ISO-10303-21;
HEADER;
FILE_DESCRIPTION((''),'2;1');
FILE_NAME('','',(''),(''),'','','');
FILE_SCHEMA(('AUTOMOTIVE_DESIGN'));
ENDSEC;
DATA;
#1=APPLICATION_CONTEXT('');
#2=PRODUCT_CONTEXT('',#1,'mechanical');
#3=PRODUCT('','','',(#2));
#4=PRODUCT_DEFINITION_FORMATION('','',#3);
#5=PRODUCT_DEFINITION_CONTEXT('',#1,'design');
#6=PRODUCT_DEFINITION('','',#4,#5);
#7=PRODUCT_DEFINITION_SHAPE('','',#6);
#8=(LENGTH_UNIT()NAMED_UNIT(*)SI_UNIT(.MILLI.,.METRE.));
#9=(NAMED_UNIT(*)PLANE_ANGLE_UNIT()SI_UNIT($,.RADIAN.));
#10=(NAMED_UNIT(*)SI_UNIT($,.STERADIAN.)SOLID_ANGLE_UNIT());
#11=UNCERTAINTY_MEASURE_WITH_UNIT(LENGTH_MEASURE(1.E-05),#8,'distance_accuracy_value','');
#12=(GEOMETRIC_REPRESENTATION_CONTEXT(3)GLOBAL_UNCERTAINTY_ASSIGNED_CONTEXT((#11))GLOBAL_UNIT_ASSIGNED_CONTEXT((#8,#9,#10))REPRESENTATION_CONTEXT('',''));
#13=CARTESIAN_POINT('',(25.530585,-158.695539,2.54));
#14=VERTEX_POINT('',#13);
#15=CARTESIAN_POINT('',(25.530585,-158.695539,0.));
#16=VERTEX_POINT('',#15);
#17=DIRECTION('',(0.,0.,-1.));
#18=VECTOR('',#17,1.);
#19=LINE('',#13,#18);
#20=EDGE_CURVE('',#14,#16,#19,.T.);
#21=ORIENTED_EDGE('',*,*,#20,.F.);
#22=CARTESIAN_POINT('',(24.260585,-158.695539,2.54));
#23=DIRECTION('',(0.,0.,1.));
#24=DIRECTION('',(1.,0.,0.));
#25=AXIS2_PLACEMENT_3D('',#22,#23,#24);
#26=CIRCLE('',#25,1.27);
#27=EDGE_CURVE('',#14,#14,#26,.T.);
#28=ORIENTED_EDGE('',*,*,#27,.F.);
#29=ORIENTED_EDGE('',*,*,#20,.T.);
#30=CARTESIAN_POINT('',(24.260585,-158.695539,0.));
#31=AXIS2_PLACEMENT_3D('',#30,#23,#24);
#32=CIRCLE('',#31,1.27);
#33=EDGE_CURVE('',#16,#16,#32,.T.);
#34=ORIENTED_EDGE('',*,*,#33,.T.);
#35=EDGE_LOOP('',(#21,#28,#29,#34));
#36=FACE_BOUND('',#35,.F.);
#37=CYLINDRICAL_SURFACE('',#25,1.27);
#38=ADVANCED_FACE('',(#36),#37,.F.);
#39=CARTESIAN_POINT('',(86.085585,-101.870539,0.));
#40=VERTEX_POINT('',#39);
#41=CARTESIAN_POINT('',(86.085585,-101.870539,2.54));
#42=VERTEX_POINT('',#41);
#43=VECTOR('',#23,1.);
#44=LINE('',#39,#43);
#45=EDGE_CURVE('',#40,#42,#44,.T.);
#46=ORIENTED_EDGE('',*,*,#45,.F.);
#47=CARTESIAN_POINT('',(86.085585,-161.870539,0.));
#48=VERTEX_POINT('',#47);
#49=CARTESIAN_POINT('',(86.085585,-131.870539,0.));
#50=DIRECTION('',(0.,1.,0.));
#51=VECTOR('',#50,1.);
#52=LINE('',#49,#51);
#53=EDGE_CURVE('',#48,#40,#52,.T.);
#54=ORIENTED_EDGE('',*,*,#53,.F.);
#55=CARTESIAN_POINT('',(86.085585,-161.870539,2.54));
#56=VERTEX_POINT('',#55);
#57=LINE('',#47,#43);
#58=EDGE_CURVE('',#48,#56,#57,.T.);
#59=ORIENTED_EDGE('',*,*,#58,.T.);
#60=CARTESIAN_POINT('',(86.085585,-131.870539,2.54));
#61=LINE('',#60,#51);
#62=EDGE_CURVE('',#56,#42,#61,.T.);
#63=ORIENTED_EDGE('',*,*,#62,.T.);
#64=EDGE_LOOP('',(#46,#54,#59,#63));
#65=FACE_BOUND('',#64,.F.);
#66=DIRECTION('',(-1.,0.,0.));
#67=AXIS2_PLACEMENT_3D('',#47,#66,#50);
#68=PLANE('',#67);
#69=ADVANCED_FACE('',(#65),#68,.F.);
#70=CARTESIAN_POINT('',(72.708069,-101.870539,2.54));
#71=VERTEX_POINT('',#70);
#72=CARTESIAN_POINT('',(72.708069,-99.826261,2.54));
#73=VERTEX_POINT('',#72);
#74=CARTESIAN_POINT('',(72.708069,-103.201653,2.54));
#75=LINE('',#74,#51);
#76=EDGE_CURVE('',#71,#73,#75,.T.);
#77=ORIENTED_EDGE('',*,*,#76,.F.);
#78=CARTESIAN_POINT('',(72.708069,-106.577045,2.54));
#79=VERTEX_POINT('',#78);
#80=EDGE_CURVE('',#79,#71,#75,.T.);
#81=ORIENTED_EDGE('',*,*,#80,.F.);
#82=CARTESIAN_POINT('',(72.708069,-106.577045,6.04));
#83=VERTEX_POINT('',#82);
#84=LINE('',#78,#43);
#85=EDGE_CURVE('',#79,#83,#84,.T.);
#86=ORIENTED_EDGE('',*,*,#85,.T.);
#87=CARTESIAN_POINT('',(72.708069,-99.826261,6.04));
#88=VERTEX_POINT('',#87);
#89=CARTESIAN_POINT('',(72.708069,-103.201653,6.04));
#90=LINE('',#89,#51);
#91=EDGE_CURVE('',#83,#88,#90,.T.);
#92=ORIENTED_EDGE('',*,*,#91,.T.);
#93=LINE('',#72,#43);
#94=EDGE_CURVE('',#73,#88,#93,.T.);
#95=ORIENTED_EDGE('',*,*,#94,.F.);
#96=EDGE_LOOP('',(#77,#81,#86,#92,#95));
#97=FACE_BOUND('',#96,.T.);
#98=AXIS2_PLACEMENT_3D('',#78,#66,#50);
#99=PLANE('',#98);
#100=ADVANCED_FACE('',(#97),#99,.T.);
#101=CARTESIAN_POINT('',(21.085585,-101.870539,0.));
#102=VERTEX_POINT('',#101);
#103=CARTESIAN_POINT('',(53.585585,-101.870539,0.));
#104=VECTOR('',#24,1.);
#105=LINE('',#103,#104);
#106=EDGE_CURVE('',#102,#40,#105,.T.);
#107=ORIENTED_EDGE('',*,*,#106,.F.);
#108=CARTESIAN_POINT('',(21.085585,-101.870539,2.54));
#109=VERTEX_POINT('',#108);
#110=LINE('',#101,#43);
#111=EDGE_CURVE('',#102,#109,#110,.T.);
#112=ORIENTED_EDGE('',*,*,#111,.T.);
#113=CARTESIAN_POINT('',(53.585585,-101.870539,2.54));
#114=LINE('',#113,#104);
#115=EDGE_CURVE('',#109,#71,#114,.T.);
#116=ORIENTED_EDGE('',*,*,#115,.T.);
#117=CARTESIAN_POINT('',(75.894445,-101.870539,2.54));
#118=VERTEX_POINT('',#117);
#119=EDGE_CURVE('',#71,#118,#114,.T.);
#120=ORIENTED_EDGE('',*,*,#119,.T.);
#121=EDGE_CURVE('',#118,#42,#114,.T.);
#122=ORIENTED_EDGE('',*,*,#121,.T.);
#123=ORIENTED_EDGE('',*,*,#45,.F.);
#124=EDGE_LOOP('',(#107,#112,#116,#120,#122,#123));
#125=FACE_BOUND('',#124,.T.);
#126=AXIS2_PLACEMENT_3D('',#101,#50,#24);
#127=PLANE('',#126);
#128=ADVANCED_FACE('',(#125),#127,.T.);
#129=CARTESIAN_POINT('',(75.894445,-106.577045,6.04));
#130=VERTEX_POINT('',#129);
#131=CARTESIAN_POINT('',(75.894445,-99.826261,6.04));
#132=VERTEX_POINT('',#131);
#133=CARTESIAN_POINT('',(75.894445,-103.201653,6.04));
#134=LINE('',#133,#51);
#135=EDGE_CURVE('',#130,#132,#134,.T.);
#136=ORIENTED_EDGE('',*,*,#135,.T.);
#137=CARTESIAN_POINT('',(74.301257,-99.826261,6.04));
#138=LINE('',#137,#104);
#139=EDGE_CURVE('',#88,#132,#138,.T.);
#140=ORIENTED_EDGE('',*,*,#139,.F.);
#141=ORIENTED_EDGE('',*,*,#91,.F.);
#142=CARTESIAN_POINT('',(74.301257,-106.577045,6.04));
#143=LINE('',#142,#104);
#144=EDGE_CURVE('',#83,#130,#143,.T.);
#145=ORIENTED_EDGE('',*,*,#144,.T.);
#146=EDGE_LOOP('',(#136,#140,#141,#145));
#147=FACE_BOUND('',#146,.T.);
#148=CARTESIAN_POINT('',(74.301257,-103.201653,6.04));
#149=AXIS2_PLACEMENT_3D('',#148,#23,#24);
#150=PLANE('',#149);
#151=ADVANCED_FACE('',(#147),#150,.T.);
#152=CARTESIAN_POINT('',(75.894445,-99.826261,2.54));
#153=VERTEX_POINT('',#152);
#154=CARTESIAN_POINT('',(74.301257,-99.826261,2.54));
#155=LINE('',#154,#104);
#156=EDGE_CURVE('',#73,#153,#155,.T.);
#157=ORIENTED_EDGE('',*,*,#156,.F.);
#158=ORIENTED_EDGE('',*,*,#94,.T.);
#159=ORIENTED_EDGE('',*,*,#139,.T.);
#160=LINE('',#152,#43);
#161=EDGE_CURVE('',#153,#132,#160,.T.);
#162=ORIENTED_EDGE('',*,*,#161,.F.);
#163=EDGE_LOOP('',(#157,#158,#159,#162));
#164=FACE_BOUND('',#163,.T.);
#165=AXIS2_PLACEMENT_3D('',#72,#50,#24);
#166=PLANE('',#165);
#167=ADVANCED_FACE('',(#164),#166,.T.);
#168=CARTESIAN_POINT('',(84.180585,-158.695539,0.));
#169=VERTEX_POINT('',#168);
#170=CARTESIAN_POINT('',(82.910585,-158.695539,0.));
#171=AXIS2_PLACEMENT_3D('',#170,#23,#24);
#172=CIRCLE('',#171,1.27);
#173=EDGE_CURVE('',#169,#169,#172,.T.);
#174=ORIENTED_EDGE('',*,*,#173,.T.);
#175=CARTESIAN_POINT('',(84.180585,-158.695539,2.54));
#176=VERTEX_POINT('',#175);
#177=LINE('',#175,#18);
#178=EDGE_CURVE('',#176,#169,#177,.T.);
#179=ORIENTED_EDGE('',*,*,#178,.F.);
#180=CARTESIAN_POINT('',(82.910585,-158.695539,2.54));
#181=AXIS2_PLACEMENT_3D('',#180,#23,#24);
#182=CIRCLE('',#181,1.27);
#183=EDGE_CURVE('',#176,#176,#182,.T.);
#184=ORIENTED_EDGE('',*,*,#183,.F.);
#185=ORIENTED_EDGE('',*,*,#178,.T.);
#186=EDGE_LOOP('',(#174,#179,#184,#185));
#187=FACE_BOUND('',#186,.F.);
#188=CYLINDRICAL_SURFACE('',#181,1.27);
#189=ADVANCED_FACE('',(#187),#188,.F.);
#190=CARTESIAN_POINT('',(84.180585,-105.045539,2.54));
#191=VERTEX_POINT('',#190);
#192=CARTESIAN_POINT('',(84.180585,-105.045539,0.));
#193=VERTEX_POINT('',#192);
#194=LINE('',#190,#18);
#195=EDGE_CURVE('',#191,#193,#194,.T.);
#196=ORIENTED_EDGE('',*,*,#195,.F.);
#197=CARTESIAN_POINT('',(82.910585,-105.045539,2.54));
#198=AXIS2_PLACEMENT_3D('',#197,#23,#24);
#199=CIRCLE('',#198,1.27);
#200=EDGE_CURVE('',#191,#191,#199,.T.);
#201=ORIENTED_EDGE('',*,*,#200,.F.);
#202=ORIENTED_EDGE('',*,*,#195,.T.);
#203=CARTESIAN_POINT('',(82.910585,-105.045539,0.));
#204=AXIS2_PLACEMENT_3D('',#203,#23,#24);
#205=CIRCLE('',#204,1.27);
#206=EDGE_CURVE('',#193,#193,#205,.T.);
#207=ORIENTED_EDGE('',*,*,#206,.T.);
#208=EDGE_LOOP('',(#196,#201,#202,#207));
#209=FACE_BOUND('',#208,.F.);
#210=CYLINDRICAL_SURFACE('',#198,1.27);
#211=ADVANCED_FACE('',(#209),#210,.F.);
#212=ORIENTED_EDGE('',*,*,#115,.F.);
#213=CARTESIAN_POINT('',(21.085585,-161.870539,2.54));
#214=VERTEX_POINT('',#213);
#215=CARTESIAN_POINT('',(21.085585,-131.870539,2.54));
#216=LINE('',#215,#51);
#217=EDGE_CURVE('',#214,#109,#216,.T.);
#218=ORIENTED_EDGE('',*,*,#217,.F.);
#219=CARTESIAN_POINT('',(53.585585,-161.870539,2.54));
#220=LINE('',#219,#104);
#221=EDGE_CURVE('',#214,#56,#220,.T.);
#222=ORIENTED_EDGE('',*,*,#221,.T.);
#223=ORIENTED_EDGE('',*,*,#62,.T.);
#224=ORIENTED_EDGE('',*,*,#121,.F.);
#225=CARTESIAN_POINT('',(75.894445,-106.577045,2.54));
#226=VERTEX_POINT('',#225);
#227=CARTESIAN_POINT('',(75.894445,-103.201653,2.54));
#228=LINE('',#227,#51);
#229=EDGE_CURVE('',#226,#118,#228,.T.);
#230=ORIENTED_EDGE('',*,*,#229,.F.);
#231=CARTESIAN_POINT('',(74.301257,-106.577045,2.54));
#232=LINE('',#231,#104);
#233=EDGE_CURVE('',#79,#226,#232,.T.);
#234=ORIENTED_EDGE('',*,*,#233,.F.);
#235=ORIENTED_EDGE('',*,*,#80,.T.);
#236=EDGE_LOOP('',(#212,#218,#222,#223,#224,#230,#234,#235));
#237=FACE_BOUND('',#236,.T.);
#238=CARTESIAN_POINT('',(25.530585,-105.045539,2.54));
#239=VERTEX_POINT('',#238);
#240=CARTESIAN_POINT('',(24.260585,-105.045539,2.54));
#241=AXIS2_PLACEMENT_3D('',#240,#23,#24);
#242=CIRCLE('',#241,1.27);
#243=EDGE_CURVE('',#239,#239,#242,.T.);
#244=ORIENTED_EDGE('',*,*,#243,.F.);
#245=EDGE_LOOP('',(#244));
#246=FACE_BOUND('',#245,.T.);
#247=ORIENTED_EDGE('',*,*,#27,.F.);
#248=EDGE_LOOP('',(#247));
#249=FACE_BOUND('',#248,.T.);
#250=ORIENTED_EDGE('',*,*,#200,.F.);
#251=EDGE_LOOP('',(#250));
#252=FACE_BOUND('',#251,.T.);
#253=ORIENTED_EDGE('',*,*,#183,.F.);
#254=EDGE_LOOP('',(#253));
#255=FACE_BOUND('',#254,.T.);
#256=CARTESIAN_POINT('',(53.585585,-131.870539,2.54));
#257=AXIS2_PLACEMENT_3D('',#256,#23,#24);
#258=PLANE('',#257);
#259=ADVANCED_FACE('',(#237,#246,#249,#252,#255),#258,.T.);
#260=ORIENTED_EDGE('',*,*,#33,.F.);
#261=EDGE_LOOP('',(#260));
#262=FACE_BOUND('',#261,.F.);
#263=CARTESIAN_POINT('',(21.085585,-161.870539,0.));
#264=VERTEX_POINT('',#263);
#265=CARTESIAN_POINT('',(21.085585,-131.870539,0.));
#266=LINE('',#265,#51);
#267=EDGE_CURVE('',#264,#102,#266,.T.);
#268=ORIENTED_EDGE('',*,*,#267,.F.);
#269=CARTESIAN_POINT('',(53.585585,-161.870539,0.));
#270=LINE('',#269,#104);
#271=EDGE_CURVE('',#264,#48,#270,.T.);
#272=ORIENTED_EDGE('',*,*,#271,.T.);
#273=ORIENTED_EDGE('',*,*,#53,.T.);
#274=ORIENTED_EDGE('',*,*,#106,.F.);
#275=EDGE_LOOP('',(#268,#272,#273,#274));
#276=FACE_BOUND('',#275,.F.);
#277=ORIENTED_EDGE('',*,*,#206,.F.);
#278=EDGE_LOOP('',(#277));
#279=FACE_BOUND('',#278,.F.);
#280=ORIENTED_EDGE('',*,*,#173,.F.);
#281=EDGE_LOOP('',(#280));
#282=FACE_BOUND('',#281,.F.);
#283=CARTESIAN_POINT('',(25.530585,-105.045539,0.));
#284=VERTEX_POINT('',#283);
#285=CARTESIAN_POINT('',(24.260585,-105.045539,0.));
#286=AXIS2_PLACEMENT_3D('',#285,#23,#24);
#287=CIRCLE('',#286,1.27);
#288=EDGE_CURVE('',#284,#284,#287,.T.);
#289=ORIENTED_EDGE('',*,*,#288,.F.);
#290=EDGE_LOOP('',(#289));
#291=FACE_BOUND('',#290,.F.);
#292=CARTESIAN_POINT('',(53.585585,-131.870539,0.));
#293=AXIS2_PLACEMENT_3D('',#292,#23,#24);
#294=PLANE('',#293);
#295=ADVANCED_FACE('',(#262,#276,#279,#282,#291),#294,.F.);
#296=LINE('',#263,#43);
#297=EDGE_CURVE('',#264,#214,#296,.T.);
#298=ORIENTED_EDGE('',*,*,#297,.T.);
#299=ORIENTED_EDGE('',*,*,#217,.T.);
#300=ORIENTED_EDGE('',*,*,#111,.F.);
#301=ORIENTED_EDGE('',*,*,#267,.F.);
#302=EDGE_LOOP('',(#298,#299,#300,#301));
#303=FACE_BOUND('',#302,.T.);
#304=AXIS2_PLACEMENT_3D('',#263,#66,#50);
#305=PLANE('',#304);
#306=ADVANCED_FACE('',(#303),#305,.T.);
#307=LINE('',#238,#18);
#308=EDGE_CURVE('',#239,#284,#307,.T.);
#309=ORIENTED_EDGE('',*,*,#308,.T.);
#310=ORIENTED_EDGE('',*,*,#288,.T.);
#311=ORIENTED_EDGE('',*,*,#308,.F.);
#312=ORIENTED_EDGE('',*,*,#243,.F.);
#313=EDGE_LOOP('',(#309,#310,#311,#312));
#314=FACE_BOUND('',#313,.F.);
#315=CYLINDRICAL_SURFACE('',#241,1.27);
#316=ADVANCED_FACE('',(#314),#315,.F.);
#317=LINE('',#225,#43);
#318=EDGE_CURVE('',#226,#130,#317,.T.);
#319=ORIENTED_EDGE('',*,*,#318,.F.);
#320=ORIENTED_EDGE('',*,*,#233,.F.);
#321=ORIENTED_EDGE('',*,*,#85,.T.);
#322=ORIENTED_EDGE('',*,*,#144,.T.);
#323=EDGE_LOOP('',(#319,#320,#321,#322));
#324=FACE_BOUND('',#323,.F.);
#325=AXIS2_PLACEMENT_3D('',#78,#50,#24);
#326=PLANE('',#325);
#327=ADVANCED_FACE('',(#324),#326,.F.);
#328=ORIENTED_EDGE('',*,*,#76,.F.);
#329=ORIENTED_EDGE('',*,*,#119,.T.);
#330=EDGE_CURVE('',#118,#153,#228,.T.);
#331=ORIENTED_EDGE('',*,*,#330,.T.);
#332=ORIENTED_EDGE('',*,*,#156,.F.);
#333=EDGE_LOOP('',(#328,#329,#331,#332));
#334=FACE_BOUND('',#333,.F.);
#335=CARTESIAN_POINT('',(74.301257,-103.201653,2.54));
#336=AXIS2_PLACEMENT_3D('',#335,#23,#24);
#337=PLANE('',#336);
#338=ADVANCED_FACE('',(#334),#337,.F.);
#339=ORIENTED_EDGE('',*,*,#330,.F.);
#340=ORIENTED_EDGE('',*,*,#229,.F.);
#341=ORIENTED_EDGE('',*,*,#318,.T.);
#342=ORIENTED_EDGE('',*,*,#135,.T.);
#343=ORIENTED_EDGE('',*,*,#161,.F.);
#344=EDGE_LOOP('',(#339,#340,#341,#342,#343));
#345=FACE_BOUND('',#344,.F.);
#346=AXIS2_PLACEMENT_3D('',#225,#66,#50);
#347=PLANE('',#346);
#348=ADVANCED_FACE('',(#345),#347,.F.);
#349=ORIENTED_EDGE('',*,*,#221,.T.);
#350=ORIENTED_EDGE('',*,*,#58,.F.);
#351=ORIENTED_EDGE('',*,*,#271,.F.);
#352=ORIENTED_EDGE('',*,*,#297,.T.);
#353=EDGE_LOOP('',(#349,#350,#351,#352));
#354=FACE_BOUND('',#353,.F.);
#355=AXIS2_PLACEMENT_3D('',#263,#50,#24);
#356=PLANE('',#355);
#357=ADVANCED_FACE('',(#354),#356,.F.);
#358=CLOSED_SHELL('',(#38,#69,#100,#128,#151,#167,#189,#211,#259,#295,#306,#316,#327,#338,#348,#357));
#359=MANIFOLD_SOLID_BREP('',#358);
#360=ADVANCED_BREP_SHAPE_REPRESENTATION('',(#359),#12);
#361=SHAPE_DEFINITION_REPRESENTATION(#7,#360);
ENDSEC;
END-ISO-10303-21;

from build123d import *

# Parameters (mm, degrees)
F0_W     = 65
F0_H     = 60
F1_DEPTH = 2.54
F2_R     = 1.27
F3_DEPTH = 2.541
F4_W     = 3.186375
F4_H     = 6.750785
F5_DEPTH = 3.5


with BuildPart() as f1:
    # F0 (on Top) → F1 (new body)
    with BuildSketch(Plane.XY):
        with Locations((53.585585, -131.870539)):
            Rectangle(F0_W, F0_H)
    extrude(amount=F1_DEPTH)

    # F2 (on face) → F3 (cut, through all)
    with BuildSketch(Plane.XY.offset(2.54)):
        with Locations((24.260585, -105.045539)):
            Circle(F2_R)
        with Locations((82.910585, -105.045539)):
            Circle(F2_R)
        with Locations((82.910585, -158.695539)):
            Circle(F2_R)
        with Locations((24.260585, -158.695539)):
            Circle(F2_R)
    extrude(amount=-F3_DEPTH, mode=Mode.SUBTRACT)

    # F4 (on face) → F5 (join)
    with BuildSketch(Plane.XY.offset(2.54)):
        with Locations((74.301257, -103.201653)):
            Rectangle(F4_W, F4_H)
    extrude(amount=F5_DEPTH)


solid = f1.part
